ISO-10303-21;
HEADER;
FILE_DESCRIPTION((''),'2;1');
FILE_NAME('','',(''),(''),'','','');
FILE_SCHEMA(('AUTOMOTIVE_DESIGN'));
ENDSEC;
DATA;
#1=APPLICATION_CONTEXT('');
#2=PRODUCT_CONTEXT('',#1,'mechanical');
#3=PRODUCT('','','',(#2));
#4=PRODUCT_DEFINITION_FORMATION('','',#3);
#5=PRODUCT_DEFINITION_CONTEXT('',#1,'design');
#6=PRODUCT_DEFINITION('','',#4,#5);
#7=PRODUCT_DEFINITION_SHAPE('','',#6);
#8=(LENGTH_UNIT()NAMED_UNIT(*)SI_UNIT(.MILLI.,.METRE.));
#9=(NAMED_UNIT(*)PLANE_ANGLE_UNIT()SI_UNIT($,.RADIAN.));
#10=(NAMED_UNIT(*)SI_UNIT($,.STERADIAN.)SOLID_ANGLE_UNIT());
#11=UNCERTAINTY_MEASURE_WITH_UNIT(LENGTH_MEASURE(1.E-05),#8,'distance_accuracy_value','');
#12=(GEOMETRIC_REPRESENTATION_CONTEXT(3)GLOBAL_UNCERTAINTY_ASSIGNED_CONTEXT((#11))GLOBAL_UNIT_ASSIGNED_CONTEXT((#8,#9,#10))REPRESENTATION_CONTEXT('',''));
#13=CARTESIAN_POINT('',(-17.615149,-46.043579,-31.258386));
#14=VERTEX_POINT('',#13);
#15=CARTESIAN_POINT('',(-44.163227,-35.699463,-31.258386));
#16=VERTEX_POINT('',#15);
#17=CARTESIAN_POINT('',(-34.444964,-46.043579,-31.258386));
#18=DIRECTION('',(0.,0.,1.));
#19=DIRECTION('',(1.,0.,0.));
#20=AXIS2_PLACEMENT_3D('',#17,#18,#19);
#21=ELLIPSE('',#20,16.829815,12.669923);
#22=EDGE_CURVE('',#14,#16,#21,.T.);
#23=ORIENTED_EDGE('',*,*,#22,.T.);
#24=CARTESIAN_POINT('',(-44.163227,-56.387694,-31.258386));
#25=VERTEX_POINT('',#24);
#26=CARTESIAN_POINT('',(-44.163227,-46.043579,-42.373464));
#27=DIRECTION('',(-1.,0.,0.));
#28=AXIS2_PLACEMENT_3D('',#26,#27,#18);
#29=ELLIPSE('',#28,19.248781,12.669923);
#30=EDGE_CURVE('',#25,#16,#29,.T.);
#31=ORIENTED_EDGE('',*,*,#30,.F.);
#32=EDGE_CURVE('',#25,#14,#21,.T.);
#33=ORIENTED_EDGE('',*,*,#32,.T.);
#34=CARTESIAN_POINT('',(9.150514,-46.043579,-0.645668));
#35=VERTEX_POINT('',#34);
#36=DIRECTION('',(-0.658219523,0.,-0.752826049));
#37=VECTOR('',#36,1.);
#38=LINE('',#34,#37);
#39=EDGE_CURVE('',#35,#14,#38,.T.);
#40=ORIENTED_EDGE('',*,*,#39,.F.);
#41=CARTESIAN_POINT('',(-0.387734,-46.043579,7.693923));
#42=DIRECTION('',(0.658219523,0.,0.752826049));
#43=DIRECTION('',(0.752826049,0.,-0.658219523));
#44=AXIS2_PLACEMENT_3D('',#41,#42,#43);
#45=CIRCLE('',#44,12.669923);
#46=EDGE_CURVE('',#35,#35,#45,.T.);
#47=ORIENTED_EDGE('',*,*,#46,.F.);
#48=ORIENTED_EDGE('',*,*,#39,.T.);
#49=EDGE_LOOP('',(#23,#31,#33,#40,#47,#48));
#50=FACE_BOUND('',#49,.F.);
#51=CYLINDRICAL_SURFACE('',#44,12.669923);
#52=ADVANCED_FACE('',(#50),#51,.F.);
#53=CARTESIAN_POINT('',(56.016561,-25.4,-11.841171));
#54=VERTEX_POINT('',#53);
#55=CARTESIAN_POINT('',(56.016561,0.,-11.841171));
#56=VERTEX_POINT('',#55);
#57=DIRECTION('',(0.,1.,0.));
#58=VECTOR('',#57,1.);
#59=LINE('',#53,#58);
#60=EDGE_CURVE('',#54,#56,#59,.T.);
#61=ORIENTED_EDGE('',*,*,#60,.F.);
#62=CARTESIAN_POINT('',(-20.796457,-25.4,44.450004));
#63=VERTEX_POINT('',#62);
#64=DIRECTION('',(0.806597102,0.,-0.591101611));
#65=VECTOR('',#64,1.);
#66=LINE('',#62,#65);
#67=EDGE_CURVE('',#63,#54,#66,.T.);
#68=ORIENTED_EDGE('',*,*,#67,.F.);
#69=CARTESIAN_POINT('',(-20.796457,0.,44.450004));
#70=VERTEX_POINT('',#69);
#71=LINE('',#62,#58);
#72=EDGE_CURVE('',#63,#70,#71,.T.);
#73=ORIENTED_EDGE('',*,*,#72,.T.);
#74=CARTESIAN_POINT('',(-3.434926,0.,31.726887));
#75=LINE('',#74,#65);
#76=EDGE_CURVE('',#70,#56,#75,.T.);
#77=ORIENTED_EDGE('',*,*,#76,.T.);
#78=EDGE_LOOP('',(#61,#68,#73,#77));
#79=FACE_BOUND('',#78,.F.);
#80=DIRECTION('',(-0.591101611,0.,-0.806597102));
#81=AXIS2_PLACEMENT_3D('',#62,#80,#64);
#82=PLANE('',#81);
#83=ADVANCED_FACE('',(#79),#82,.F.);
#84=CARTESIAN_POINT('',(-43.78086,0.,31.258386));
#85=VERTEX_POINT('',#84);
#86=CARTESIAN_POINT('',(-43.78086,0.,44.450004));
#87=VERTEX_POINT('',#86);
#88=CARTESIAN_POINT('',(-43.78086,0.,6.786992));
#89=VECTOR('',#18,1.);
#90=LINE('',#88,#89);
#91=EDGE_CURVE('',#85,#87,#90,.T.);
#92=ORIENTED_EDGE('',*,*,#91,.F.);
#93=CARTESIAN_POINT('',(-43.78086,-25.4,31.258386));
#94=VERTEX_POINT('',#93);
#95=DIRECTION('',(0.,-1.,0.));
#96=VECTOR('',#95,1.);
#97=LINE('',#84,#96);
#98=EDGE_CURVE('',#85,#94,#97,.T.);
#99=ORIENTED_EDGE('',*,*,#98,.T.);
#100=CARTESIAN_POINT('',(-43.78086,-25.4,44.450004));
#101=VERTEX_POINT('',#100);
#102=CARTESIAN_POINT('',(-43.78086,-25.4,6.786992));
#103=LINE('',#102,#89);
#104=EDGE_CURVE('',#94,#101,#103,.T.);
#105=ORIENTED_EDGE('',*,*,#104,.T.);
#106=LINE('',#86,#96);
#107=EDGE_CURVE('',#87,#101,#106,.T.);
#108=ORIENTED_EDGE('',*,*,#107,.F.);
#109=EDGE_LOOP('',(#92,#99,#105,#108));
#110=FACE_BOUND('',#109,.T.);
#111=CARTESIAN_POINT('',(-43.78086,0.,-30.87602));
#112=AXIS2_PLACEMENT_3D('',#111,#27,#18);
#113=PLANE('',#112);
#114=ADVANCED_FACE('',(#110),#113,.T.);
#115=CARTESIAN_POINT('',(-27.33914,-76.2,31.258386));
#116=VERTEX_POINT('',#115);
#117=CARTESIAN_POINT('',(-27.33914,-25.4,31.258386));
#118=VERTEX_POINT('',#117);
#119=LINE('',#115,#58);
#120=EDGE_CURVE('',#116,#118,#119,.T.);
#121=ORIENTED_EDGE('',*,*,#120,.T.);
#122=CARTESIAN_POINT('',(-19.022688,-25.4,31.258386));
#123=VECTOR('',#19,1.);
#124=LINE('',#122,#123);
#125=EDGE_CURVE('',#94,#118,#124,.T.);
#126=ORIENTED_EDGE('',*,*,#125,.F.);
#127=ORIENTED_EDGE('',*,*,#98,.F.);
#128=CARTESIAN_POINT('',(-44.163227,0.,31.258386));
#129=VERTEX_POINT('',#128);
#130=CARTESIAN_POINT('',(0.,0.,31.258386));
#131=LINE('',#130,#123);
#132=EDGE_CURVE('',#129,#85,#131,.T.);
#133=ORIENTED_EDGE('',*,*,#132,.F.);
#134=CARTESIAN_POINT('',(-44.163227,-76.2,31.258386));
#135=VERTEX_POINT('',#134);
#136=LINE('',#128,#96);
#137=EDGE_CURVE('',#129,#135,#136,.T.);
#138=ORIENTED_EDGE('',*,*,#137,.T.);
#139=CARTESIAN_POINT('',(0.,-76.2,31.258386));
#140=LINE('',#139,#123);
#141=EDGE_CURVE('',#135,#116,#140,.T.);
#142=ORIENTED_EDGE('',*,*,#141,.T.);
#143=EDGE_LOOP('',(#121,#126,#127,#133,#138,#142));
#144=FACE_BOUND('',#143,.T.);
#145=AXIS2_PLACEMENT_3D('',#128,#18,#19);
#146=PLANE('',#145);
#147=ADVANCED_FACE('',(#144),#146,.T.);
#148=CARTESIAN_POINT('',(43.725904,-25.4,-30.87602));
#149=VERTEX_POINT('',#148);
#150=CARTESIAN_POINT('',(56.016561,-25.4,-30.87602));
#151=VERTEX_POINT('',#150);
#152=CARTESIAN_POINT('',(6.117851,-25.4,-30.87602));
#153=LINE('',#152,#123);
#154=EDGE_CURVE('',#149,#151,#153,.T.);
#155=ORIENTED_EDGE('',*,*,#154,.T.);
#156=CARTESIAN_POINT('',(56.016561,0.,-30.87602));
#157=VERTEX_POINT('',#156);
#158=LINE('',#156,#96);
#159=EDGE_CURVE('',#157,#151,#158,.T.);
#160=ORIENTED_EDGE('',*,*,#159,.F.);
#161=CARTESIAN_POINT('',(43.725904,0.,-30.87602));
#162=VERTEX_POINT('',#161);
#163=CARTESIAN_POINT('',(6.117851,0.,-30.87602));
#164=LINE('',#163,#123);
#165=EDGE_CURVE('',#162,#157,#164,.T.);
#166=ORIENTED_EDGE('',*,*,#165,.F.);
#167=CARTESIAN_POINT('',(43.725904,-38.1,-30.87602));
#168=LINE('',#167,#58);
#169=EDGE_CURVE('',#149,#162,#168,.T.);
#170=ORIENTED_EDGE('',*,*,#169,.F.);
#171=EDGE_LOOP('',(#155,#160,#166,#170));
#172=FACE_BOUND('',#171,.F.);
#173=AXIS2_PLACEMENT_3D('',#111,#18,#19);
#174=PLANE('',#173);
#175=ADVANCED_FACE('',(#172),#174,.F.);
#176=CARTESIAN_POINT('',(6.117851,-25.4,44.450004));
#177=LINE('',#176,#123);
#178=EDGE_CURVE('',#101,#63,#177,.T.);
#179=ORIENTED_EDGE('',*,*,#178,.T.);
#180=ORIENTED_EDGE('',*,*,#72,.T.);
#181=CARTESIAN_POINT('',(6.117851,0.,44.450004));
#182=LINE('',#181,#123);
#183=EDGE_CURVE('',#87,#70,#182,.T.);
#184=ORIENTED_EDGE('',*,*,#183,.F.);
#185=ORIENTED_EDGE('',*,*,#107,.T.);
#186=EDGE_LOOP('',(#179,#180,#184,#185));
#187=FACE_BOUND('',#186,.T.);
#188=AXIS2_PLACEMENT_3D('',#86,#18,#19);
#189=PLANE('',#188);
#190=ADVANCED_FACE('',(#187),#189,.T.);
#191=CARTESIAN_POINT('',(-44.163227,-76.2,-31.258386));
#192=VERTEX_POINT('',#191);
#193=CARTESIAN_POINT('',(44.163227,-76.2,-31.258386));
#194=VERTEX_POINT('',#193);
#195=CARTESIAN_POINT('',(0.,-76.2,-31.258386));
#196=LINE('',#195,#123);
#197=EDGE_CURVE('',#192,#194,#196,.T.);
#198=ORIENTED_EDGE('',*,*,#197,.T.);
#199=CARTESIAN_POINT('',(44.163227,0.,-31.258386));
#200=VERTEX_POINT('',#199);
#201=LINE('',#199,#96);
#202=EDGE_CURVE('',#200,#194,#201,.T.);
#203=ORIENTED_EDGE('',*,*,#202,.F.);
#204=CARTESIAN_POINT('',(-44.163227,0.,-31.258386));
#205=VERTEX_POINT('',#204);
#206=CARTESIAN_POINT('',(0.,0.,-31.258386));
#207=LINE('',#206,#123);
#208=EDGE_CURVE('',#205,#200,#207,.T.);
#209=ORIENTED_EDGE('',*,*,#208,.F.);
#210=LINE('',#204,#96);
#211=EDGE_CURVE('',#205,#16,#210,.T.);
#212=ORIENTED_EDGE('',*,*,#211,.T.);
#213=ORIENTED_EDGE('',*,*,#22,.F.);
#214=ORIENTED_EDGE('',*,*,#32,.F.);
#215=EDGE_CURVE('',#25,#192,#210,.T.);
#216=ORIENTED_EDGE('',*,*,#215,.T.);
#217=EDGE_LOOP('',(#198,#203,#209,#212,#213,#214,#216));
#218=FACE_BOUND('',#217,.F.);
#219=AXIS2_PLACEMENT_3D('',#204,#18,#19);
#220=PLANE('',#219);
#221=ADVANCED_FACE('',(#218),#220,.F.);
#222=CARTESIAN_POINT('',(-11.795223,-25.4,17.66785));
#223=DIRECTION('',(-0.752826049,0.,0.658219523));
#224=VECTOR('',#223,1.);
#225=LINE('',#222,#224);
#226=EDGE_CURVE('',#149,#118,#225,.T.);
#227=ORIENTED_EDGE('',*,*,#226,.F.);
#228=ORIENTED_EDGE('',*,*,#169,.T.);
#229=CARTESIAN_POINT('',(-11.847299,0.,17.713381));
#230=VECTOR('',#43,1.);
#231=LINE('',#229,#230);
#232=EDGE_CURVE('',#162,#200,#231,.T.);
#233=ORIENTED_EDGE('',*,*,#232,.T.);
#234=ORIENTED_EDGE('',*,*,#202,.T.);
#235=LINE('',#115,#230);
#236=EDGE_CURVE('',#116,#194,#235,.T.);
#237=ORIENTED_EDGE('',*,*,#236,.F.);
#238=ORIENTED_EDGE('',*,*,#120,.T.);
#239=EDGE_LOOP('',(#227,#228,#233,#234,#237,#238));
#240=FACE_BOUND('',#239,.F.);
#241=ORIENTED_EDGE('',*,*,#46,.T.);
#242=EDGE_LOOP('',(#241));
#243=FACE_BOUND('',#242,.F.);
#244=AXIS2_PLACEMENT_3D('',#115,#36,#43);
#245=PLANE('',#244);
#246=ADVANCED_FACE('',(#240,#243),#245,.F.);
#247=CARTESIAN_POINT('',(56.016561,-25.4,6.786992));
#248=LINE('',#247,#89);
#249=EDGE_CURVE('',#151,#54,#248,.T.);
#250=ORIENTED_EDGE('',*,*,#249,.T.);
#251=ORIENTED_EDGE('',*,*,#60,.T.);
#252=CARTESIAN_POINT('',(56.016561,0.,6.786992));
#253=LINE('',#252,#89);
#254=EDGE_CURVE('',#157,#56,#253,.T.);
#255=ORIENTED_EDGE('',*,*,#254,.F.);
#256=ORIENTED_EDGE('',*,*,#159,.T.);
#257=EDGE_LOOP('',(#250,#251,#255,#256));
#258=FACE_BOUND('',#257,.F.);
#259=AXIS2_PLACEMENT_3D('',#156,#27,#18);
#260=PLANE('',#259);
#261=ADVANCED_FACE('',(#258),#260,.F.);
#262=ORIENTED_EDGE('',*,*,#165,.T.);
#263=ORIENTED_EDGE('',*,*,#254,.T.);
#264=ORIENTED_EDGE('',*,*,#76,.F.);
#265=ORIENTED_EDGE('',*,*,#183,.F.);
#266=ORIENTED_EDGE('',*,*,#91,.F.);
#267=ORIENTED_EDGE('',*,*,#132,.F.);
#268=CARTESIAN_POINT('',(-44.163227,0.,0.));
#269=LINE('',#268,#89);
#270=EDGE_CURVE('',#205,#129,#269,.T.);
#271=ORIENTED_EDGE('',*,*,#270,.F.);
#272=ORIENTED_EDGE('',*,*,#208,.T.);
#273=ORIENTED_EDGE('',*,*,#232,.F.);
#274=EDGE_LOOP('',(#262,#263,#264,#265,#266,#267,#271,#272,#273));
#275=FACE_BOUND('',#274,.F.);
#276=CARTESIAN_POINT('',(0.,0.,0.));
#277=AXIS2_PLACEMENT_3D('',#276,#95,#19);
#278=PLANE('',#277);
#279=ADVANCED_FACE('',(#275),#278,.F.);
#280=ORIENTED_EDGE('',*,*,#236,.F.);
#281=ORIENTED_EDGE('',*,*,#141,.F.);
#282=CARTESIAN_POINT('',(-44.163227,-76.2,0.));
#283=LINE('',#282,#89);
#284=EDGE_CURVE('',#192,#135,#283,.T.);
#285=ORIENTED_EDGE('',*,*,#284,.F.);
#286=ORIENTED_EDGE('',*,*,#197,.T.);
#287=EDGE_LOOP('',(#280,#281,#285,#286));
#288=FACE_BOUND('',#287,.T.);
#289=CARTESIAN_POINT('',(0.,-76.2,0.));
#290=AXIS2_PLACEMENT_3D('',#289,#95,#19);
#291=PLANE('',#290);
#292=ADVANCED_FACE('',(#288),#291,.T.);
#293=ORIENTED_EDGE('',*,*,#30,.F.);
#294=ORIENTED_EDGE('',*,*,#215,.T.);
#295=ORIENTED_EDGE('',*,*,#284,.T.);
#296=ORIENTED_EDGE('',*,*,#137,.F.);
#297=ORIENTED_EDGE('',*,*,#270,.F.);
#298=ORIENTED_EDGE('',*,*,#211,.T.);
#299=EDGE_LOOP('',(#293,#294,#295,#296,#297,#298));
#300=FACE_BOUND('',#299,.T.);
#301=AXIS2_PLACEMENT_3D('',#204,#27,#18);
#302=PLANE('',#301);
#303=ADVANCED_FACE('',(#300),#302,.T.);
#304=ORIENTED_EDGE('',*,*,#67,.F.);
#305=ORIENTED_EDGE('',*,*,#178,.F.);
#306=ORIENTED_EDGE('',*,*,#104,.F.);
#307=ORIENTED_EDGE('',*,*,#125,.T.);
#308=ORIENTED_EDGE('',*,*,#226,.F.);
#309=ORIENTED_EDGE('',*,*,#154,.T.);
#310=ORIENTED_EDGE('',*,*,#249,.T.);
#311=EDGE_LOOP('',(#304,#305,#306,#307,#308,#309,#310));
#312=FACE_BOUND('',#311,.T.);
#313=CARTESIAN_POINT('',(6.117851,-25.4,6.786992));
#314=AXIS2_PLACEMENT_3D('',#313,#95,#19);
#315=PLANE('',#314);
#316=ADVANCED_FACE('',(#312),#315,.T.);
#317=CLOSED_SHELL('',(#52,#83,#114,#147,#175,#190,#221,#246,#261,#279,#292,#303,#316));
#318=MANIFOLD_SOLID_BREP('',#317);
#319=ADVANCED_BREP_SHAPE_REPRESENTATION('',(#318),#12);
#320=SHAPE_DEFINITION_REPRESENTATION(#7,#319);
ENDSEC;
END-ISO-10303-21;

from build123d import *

# Parameters (mm, degrees)
F0_W     = 88.3264541626
F0_H     = 62.5167712569
F1_DEPTH = 76.2
F3_DEPTH = 76.201
F4_R     = 12.6699231952
F5_DEPTH = 58.1391964974
F6_W     = 99.7974202037
F6_H     = 75.3260236233
F7_DEPTH = 25.4
F9_DEPTH = 25.401


with BuildPart() as f1:
    # F0 (on Front) → F1 (new body)
    with BuildSketch(Plane.XZ):
        Rectangle(F0_W, F0_H)
    extrude(amount=F1_DEPTH)

    # F2 (on face) → F3 (cut, through all)
    with BuildSketch(Plane.XZ.offset(76.2)):
        Polygon((44.1632270813, 31.2583856285), (-27.3391399533, 31.2583856285), (44.1632270813, -31.2583856285), align=None)
    extrude(amount=-F3_DEPTH, mode=Mode.SUBTRACT)

    # F4 (on face) → F5 (cut, through all)
    with BuildSketch(Plane(origin=(3.6445426056, 0, 4.1683762265), x_dir=(0.752826049, 0, -0.6582195227), z_dir=(0.6582195227, 0, 0.752826049))):
        with Locations((-5.3561865352, -46.0435785353)):
            Circle(F4_R)
    extrude(amount=-F5_DEPTH, mode=Mode.SUBTRACT)

    # F6 (on Front) → F7 (join)
    with BuildSketch(Plane.XZ):
        with Locations((6.1178505421, 6.7869918421)):
            Rectangle(F6_W, F6_H)
    extrude(amount=F7_DEPTH)

    # F8 (on face) → F9 (cut, through all)
    with BuildSketch(Plane.XZ.offset(25.4)):
        Polygon((56.0165606439, 44.4500036538), (-20.7964573056, 44.4500036538), (56.0165606439, -11.8411714114), align=None)
    extrude(amount=-F9_DEPTH, mode=Mode.SUBTRACT)


solid = f1.part
